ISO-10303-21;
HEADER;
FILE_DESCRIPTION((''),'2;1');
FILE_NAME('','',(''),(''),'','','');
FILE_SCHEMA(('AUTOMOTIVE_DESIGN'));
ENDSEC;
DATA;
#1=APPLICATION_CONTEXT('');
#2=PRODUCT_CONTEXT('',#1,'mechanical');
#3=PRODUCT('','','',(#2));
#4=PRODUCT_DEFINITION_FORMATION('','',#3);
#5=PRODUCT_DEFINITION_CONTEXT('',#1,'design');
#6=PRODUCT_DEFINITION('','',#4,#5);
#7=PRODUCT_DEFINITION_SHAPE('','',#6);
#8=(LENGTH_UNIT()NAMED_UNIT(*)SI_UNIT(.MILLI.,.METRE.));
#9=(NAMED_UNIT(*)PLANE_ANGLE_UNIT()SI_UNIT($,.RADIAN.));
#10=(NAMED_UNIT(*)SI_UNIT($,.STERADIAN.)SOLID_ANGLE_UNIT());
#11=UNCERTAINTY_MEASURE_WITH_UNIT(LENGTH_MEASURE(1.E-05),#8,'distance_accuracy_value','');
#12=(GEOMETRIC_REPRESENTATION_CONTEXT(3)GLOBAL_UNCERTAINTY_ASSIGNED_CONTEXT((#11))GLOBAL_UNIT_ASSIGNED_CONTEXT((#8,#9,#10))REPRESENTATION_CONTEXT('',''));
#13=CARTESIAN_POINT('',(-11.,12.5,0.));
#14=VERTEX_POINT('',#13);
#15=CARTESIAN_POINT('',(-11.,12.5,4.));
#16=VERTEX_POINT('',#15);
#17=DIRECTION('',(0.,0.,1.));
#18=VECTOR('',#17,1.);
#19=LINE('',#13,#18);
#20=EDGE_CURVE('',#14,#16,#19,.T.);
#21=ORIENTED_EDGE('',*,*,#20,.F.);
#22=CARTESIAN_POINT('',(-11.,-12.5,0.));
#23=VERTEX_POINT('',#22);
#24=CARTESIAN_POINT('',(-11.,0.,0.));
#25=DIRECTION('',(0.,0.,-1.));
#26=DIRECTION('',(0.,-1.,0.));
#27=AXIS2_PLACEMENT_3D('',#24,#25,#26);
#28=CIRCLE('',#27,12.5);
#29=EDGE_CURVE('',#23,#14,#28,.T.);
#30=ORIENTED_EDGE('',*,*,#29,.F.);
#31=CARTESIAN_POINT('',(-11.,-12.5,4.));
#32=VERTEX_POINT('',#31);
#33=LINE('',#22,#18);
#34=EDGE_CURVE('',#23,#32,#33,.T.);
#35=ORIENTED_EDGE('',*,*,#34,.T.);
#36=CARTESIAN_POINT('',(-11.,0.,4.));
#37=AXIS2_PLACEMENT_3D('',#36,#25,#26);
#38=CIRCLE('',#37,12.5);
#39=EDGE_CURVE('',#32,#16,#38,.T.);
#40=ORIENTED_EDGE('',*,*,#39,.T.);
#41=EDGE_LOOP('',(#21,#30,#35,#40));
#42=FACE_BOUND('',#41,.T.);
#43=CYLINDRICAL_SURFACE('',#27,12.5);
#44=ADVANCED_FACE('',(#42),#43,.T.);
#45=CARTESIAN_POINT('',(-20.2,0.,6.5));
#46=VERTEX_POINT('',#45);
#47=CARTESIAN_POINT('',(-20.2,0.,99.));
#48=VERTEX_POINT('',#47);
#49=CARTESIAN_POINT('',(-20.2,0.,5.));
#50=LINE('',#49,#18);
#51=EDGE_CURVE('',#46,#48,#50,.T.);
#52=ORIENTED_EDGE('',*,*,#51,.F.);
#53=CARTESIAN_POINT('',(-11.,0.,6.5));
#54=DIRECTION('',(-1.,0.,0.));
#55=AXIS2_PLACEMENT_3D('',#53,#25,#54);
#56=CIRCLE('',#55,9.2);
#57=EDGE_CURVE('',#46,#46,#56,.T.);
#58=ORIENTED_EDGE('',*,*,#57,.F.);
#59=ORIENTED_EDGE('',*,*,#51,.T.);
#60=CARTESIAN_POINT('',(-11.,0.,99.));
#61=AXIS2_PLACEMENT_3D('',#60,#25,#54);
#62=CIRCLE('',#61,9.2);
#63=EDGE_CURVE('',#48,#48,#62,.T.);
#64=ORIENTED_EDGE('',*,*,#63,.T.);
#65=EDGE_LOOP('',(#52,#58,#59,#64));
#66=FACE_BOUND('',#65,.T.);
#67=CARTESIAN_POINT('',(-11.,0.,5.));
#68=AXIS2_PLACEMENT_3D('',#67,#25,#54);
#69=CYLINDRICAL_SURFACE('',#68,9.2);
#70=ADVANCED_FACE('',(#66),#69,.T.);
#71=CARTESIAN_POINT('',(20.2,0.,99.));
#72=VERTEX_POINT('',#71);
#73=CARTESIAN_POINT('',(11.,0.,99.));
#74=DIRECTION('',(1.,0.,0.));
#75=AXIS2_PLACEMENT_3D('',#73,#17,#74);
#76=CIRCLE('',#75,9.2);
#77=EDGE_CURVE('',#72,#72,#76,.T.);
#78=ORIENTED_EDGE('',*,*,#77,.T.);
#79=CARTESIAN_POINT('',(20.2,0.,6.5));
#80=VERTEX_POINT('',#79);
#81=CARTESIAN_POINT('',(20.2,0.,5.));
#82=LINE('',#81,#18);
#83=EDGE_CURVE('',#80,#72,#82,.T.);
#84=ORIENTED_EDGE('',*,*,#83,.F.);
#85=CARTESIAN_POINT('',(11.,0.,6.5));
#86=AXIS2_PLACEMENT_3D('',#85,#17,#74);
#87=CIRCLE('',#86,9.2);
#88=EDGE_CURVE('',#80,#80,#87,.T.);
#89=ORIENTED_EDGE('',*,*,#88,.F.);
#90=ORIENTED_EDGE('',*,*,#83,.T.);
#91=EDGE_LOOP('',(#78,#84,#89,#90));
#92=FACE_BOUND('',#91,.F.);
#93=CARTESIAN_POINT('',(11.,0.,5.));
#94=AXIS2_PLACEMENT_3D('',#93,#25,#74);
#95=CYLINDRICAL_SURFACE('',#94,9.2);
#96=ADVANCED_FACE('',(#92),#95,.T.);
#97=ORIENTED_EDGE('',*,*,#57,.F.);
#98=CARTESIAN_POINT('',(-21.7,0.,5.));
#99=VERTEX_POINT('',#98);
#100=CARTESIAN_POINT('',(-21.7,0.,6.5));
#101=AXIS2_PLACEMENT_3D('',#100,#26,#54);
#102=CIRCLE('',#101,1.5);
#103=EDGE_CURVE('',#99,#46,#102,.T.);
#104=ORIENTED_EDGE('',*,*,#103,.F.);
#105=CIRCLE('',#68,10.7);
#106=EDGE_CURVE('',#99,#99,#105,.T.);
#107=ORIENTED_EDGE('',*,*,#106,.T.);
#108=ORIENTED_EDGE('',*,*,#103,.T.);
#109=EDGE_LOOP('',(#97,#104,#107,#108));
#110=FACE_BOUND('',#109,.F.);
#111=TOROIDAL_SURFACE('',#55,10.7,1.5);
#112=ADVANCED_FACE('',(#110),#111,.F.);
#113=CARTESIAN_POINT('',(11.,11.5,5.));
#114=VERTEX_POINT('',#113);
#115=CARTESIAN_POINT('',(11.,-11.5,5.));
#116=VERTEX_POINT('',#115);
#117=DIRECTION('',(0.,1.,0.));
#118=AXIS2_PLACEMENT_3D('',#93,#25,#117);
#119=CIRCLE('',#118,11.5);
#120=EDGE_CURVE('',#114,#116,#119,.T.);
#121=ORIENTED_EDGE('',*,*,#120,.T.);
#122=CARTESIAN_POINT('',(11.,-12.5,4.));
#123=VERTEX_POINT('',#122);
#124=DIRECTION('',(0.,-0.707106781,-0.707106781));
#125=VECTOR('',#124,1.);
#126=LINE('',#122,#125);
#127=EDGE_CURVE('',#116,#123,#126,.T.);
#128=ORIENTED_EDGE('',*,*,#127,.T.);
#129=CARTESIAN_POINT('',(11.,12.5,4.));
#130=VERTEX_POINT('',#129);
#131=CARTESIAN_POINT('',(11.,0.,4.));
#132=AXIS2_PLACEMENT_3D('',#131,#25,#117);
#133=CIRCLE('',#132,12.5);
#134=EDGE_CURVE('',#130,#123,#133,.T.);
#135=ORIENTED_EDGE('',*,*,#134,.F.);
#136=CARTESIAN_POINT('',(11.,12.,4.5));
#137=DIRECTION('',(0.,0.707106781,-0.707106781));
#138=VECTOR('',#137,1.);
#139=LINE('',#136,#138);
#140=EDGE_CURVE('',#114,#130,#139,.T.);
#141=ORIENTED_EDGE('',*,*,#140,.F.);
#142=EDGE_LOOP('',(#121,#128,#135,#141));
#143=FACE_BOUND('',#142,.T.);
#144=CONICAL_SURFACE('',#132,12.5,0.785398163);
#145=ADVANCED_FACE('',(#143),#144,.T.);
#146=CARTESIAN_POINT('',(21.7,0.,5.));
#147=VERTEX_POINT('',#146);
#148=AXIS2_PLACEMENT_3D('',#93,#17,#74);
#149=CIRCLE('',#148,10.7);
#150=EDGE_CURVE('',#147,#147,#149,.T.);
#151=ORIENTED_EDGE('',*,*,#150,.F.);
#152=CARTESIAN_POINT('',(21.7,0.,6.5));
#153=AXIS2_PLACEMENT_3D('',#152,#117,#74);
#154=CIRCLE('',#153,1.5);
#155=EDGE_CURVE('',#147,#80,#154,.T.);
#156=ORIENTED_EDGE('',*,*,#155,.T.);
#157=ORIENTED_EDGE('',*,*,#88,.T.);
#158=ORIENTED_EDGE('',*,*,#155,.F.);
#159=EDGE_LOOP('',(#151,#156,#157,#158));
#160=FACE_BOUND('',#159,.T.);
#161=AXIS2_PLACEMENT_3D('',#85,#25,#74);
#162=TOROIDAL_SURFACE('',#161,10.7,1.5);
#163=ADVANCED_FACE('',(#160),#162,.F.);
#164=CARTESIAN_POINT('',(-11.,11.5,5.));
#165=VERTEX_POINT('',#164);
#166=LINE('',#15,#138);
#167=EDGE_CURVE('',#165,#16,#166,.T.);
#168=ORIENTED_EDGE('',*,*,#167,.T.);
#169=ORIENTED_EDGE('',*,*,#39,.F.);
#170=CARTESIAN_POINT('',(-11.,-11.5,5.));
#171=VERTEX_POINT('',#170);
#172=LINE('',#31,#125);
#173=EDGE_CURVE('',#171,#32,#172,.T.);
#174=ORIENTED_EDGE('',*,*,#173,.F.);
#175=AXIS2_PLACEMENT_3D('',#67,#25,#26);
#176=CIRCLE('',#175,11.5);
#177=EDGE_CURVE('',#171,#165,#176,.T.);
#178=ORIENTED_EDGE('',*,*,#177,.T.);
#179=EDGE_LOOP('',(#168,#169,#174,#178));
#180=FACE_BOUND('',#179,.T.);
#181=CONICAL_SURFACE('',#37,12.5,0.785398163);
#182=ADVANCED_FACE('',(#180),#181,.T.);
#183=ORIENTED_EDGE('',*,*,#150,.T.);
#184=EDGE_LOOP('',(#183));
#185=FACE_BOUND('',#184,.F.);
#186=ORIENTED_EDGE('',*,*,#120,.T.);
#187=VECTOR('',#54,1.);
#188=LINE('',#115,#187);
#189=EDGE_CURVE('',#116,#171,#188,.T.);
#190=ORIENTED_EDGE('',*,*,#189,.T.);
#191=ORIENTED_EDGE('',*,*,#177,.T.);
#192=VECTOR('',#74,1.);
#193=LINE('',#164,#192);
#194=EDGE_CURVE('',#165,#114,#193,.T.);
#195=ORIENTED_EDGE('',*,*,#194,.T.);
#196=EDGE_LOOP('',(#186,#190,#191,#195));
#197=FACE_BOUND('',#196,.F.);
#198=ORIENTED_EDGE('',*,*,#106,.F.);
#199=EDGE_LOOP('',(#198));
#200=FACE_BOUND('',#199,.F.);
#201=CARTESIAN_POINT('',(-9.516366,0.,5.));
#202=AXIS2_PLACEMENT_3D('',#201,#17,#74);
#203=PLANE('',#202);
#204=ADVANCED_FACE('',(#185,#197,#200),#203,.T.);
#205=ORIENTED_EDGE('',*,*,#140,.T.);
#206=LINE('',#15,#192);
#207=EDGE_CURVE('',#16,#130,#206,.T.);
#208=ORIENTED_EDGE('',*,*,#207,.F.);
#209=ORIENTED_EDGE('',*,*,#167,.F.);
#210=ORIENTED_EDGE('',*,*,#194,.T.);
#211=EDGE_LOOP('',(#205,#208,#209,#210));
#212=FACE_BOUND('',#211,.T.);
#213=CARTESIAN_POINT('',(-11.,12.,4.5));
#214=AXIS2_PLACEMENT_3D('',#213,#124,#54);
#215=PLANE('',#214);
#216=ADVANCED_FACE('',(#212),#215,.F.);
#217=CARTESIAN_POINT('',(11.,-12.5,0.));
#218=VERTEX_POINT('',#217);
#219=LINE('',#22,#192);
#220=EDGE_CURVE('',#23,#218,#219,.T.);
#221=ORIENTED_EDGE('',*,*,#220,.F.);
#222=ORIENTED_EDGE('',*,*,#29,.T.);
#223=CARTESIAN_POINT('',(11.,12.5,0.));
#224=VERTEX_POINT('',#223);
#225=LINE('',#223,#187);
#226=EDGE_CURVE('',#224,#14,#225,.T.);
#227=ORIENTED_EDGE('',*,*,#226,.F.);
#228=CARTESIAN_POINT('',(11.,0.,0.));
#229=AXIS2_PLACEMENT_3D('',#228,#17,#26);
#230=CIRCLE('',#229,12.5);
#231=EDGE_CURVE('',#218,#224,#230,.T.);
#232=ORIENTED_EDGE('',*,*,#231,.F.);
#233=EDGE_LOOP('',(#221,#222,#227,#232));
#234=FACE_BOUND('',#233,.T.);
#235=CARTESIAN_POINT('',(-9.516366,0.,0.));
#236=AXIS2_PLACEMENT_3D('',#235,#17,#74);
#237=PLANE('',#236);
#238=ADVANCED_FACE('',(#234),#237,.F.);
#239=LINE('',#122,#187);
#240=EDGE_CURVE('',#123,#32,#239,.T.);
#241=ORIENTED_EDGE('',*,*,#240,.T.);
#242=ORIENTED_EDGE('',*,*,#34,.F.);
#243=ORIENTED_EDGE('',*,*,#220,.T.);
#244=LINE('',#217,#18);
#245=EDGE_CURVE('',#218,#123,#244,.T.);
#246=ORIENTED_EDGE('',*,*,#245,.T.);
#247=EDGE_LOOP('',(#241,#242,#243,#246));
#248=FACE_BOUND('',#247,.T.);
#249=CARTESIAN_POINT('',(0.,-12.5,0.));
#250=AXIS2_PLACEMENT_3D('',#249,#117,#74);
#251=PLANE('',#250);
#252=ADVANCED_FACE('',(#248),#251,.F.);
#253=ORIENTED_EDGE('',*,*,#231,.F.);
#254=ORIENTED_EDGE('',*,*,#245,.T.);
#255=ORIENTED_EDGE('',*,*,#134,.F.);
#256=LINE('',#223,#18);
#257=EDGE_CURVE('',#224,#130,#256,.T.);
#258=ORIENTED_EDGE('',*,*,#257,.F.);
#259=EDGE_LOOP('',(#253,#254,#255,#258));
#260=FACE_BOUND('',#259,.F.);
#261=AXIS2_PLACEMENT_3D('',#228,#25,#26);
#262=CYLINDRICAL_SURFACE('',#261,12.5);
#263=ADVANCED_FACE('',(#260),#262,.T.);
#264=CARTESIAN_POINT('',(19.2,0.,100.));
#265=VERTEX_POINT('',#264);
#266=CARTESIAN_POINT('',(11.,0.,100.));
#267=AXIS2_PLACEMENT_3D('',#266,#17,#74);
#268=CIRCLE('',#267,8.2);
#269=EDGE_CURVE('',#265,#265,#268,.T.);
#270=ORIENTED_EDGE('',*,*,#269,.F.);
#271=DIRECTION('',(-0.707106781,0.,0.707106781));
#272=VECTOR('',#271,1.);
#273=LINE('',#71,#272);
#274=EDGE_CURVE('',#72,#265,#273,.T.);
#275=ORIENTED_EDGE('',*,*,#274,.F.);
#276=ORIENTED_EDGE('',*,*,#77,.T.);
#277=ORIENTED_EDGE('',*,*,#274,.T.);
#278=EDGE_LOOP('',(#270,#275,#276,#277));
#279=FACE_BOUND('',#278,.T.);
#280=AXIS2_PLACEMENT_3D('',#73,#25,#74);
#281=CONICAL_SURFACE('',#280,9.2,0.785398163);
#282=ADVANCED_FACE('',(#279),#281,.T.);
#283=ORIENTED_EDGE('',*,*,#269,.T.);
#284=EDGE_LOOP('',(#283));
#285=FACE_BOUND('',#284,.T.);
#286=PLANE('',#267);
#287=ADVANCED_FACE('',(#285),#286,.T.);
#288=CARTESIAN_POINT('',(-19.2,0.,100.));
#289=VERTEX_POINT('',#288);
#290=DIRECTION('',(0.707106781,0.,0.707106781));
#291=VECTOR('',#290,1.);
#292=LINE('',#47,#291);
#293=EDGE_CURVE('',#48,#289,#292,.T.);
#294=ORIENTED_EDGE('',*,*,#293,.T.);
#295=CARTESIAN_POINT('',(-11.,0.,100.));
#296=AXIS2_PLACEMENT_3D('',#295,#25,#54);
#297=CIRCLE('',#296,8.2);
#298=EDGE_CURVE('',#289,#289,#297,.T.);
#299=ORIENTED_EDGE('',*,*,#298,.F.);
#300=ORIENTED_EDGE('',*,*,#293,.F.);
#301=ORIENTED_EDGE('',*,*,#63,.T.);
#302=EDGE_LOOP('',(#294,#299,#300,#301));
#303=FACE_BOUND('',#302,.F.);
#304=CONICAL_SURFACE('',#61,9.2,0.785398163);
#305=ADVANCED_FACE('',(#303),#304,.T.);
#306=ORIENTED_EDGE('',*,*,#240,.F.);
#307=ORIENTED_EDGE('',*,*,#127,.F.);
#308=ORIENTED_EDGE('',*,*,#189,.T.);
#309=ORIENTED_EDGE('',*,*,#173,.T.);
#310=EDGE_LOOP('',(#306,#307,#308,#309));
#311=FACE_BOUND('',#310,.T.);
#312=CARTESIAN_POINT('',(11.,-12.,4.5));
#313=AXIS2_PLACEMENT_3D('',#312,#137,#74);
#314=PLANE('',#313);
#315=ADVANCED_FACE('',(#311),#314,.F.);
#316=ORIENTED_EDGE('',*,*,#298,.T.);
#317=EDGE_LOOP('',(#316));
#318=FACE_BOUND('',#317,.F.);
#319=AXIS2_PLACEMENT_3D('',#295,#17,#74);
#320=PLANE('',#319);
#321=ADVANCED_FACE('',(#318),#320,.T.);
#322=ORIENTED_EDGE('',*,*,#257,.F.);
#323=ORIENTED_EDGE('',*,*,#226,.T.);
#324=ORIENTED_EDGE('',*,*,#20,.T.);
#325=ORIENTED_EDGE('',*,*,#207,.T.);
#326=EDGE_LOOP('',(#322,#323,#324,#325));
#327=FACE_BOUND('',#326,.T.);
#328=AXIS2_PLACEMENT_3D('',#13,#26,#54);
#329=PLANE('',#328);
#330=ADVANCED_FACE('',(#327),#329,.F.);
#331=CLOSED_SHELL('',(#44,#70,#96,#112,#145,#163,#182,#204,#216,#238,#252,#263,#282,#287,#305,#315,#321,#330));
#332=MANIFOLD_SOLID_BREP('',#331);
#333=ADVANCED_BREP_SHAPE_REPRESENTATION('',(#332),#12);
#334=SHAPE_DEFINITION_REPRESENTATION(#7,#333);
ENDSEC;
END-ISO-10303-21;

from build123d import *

# Parameters (mm, degrees)
PAD_DEPTH       = 5
SKETCH001_R     = 9.2
PAD001_DEPTH    = 95
FILLET_R        = 1.5
CHAMFER_SIZE    = 1
CHAMFER001_SIZE = 1


with BuildPart() as part:
    # Sketch → Pad (new body)
    with BuildSketch(Plane.XY):
        with BuildLine():
            ThreePointArc((11, -12.5), (23.5, 0), (11, 12.5))
            Line((11, 12.5), (0, 12.5))
            Line((0, 12.5), (0, -12.5))
            Line((0, -12.5), (11, -12.5))
        make_face()
    pad = extrude(amount=PAD_DEPTH)

    # Mirrored: Pad across Sketch V_Axis
    add(pad.mirror(Plane(origin=(0, 0, 0), x_dir=(0, 0, 1), z_dir=(1, 0, 0))))

    # Sketch001 (on Face5 of Mirrored) → Pad001 (join)
    with BuildSketch(Plane.XY.offset(5)):
        with Locations((11, 0)):
            Circle(SKETCH001_R)
    pad001 = extrude(amount=PAD001_DEPTH)

    # Mirrored001: Pad001 across Sketch001 V_Axis
    add(pad001.mirror(Plane(origin=(0, 0, 5), x_dir=(0, 0, 1), z_dir=(1, 0, 0))))

    # Fillet
    fillet_edges = [part.edges().sort_by_distance(p)[0] for p in [
        (-1.8, 0, 5),
        (1.8, 0, 5),
    ]]
    fillet(fillet_edges, radius=FILLET_R)

    # Chamfer
    chamfer_edges = [part.edges().sort_by_distance(p)[0] for p in [
        (-23.5, 0, 5),
        (0, -12.5, 5),
        (23.5, 0, 5),
        (0, 12.5, 5),
    ]]
    chamfer(chamfer_edges, length=CHAMFER_SIZE)

    # Chamfer001
    chamfer001_edges = [part.edges().sort_by_distance(p)[0] for p in [
        (-1.8, 0, 100),
        (1.8, 0, 100),
    ]]
    chamfer(chamfer001_edges, length=CHAMFER001_SIZE)


solid = part.part
